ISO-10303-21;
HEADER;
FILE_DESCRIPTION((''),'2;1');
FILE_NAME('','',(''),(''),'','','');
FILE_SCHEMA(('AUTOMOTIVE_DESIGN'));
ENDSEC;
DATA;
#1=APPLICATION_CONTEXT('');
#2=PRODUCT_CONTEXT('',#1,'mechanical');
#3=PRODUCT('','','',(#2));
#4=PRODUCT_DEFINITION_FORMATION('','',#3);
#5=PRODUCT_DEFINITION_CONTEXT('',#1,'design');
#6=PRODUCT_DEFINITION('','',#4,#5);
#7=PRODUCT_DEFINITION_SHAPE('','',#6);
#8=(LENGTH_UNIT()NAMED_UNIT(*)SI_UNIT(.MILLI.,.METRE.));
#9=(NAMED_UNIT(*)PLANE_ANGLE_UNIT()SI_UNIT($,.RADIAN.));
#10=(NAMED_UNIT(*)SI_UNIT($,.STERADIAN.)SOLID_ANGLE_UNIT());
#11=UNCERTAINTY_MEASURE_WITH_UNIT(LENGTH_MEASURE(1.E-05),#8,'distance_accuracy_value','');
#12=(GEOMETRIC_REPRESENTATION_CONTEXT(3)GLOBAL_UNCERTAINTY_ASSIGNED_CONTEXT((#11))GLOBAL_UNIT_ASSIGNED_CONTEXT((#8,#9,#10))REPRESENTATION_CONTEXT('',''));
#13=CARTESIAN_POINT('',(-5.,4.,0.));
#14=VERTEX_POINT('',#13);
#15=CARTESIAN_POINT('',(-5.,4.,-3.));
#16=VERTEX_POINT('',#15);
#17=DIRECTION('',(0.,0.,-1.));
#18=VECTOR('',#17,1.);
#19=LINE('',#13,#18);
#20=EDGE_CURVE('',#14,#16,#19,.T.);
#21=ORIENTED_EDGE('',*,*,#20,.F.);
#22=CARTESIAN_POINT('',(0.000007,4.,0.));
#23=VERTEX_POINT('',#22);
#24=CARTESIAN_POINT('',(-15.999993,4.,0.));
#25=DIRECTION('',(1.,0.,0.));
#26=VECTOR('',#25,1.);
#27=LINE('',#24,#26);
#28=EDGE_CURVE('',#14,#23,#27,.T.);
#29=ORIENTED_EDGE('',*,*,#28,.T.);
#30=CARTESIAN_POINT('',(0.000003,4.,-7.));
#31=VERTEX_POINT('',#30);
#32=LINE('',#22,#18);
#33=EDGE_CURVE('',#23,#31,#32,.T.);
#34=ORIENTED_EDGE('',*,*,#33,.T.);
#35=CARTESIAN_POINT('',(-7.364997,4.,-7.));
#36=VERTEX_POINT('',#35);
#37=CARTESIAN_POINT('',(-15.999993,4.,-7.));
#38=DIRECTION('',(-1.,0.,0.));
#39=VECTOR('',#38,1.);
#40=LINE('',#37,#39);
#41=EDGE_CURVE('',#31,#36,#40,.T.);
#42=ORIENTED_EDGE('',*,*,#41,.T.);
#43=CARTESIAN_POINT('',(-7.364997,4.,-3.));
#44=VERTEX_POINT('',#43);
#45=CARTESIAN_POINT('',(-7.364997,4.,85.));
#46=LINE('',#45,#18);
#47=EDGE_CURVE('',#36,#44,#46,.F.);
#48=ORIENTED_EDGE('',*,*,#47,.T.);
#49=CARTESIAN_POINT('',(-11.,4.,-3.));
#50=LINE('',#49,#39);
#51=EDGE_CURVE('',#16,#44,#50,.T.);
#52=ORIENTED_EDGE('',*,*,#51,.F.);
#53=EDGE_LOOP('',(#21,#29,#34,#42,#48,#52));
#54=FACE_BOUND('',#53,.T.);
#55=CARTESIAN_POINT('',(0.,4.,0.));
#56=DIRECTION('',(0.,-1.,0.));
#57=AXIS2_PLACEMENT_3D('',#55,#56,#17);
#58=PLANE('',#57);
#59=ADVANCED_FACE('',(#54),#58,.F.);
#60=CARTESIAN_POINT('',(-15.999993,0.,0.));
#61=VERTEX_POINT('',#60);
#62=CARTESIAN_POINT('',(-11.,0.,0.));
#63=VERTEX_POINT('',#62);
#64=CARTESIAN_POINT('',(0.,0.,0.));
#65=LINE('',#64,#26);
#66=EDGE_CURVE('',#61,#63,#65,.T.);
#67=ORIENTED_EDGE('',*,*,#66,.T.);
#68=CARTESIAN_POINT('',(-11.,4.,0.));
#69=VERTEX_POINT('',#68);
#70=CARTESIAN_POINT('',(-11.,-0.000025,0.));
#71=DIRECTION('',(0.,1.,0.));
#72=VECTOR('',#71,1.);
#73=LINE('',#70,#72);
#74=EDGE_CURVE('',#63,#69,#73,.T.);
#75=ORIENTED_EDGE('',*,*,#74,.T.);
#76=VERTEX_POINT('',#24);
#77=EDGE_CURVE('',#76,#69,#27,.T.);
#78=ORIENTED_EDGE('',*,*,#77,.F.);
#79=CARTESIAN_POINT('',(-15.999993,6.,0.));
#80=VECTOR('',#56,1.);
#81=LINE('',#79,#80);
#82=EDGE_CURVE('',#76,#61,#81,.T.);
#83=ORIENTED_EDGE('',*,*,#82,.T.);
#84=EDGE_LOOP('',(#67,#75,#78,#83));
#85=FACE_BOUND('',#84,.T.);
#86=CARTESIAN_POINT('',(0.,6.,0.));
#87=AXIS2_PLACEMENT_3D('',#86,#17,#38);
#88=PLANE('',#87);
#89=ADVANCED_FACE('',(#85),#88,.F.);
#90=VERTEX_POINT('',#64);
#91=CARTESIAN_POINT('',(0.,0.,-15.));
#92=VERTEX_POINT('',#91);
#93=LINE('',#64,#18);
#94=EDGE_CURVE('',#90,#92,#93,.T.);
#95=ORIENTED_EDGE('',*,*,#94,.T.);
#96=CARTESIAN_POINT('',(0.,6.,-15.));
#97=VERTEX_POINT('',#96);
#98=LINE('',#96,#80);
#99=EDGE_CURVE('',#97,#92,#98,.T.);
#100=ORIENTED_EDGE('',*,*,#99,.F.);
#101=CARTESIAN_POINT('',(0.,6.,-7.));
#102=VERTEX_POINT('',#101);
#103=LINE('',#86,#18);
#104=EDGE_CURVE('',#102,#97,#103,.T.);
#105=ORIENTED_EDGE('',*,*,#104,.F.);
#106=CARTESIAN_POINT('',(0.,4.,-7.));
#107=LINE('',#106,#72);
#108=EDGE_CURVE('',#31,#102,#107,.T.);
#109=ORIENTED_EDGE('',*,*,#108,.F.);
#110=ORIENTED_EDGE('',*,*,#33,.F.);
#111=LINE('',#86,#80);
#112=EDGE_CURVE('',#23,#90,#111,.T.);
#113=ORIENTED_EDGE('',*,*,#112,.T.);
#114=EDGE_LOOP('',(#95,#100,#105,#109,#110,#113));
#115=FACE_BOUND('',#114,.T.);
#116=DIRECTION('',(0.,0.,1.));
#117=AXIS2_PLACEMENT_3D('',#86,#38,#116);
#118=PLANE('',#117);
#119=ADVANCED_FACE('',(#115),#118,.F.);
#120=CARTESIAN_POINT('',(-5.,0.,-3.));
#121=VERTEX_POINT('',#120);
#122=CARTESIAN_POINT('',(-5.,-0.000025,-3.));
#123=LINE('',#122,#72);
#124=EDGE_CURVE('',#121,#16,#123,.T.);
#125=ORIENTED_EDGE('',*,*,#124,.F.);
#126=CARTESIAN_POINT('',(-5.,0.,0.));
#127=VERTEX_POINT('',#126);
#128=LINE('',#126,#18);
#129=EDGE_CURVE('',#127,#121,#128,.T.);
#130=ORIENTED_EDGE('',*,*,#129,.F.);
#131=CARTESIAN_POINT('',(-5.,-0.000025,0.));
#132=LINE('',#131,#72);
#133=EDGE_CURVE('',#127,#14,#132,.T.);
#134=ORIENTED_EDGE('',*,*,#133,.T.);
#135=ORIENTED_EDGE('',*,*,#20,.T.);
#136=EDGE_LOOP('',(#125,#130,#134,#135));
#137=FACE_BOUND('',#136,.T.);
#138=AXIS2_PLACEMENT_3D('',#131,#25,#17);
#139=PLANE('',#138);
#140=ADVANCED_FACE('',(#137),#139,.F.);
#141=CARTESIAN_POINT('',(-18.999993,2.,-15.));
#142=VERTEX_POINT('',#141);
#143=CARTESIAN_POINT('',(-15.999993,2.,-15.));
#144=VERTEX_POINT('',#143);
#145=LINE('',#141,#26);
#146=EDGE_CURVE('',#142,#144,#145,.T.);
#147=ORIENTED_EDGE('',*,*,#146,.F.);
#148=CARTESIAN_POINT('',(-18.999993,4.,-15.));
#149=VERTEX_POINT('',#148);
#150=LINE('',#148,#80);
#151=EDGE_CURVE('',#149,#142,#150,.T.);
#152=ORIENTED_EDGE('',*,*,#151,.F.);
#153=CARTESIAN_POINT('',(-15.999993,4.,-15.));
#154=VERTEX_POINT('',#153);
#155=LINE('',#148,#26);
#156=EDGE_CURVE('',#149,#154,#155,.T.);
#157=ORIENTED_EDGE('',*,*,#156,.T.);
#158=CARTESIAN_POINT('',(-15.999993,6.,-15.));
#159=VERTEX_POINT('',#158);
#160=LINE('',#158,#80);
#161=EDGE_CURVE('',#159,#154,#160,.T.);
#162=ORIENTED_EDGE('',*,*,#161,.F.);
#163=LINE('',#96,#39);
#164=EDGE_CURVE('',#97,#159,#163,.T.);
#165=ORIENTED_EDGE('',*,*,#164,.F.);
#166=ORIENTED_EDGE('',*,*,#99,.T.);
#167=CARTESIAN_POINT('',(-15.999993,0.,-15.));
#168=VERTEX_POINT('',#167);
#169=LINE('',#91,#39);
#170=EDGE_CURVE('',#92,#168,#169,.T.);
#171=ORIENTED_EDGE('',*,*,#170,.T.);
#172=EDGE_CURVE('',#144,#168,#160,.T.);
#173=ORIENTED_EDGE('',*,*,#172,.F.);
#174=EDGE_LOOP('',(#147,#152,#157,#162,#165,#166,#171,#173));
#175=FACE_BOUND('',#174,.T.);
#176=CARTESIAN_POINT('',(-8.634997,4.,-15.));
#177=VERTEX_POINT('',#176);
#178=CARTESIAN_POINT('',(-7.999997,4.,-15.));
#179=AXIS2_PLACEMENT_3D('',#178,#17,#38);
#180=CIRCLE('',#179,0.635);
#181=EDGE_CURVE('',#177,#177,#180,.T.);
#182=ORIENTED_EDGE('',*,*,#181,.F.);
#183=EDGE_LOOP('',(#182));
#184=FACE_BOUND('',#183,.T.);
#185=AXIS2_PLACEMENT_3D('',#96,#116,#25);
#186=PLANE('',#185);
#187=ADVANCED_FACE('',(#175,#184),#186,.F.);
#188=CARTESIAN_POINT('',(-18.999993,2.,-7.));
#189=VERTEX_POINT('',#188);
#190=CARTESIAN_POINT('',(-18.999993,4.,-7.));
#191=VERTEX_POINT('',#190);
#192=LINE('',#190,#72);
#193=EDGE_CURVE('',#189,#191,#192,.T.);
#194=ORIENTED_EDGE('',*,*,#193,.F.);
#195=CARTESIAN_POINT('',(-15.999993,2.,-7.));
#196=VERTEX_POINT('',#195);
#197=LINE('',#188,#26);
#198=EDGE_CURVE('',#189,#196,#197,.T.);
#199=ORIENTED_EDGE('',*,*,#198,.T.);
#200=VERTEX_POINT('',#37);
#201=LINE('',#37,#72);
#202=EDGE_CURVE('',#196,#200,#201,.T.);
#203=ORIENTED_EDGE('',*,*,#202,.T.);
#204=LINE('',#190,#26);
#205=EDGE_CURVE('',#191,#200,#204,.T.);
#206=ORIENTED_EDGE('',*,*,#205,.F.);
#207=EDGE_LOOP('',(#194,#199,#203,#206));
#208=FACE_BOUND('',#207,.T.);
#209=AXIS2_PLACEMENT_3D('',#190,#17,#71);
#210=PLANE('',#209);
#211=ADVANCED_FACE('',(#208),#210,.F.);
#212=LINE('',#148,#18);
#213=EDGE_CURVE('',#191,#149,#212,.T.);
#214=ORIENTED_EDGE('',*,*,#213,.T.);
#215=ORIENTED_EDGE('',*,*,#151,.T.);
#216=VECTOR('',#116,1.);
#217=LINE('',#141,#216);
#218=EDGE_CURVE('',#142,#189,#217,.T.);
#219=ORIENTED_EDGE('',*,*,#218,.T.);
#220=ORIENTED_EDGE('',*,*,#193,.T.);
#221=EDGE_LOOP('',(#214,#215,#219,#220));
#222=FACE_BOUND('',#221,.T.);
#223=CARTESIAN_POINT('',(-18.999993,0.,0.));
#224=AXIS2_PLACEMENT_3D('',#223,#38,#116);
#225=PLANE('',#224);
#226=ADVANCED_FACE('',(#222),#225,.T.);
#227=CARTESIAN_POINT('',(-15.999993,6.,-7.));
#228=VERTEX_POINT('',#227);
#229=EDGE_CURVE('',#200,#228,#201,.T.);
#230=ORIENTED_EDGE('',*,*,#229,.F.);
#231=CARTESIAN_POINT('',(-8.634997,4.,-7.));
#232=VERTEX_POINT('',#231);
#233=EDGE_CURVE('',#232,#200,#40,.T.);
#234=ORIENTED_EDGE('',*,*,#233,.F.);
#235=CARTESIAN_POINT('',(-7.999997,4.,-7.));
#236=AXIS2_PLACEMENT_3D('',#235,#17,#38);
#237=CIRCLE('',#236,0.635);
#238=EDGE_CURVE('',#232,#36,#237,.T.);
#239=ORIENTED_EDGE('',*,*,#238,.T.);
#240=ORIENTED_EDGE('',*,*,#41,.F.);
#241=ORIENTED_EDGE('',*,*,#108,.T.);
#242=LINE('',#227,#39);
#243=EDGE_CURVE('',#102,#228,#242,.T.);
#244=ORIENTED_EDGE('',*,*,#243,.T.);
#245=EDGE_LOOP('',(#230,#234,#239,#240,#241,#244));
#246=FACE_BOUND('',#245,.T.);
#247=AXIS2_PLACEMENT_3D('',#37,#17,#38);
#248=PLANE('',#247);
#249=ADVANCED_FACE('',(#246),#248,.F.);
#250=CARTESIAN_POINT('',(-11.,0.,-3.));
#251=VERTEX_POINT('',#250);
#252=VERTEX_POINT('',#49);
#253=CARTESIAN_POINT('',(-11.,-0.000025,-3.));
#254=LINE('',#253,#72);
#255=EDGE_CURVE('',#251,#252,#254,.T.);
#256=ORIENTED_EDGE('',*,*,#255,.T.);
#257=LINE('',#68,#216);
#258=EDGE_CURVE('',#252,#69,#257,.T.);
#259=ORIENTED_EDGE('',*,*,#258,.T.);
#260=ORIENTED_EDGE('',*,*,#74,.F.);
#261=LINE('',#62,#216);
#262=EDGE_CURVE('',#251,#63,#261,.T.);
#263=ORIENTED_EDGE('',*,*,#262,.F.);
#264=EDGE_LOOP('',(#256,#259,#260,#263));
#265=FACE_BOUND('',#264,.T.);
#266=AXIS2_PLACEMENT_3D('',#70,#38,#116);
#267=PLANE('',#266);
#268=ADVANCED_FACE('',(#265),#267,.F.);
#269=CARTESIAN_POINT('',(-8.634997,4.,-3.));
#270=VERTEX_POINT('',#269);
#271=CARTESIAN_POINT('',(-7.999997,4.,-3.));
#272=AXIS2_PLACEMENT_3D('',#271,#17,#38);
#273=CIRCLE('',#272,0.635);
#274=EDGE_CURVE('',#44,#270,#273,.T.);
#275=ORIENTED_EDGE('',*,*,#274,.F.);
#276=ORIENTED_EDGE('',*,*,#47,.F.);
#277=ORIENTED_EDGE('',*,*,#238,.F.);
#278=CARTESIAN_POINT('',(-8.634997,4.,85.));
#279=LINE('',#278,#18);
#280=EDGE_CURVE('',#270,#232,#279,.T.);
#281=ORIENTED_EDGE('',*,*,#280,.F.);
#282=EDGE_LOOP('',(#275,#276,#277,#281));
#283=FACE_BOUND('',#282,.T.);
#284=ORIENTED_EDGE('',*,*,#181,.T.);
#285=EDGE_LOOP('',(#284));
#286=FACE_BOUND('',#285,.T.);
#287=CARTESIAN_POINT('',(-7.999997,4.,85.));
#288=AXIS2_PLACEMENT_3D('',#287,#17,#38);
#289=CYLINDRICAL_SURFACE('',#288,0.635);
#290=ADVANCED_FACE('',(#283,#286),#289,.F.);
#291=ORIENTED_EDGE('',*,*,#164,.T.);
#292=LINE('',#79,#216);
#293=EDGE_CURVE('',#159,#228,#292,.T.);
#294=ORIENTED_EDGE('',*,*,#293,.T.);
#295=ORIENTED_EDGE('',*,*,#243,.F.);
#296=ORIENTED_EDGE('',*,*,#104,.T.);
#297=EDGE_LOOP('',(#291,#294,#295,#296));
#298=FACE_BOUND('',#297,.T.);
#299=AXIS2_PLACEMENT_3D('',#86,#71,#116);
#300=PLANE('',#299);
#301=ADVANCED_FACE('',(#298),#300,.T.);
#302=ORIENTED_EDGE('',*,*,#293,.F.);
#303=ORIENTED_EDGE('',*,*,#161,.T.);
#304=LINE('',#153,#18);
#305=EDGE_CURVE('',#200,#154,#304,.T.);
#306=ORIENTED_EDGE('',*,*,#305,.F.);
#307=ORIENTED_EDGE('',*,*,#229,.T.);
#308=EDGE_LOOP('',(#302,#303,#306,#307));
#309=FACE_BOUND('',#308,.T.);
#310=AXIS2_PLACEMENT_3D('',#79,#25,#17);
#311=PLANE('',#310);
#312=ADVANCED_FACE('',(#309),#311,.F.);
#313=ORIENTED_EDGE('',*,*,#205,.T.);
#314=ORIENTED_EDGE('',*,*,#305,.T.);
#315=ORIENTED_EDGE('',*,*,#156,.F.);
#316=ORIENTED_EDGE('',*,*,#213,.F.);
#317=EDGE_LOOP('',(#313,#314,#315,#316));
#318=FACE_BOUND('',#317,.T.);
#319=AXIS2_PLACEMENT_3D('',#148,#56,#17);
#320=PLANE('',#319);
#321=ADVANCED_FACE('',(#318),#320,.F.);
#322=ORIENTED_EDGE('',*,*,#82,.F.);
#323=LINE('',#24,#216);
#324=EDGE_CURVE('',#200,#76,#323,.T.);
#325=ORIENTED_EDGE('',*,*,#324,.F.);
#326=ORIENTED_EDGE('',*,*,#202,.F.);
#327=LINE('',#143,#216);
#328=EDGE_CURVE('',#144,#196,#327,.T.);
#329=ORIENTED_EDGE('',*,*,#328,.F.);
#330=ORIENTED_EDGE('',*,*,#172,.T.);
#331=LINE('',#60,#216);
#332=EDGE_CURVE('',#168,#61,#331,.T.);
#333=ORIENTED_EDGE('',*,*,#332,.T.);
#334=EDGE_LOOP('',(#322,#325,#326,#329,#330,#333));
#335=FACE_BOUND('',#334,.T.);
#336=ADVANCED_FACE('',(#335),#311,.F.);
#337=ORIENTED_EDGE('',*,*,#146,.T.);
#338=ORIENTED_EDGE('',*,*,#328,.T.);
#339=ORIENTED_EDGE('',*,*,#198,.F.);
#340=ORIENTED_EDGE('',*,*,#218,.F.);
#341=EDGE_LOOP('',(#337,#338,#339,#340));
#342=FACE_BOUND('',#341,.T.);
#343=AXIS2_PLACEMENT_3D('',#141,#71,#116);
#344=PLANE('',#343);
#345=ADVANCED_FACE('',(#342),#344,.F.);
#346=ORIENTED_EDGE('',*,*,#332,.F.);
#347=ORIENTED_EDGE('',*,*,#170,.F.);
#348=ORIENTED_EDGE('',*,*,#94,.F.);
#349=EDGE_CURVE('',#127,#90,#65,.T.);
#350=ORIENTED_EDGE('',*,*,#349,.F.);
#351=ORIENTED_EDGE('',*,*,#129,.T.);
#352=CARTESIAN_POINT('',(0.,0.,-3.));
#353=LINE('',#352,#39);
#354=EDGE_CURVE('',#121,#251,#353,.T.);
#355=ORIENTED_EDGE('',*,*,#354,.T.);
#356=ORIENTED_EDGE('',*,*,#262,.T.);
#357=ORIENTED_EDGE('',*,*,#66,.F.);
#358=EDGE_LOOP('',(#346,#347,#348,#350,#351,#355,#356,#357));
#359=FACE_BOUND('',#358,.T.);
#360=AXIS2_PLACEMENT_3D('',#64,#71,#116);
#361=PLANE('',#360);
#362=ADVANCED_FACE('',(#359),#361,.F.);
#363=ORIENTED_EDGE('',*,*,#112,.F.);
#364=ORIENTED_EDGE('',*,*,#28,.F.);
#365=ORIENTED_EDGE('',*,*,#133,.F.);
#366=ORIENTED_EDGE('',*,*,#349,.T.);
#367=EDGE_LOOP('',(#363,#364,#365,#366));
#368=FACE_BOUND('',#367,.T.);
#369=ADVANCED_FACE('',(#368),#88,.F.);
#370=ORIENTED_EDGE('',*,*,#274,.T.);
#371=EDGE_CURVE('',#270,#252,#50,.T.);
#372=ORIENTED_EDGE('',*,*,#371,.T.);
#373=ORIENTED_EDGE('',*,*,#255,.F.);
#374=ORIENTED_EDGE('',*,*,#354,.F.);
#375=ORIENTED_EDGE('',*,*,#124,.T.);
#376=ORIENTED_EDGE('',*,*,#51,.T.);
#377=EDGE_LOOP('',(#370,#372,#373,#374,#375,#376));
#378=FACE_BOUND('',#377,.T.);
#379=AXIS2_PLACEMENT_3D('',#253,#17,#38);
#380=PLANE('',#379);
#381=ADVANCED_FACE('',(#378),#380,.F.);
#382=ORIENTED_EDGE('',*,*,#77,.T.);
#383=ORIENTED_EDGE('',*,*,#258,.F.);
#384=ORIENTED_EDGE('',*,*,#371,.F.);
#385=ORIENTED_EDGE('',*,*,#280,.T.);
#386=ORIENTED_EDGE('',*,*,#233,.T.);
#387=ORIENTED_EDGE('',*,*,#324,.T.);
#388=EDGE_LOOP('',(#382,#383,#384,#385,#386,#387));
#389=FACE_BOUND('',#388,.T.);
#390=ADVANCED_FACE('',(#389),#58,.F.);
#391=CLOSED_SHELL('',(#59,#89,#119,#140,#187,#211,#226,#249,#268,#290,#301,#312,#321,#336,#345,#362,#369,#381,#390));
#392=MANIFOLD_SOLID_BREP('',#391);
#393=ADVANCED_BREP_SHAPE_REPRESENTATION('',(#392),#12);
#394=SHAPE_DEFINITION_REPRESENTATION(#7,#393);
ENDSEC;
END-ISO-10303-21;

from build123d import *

# Parameters (mm, degrees)
SKETCH2_W           = 15.9999934
SKETCH2_H           = 15
BOSS_EXTRUDE2_DEPTH = 6
SKETCH6_W           = 16
SKETCH6_H           = 7
CUT_EXTRUDE3_DEPTH  = 2
SKETCH7_W           = 6
SKETCH7_H           = 3
CUT_EXTRUDE4_DEPTH  = 23.293492073
SKETCH12_R          = 0.635
CUT_EXTRUDE5_DEPTH  = 100
SKETCH13_W          = 8
SKETCH13_H          = 2
BOSS_EXTRUDE3_DEPTH = 3


with BuildPart() as part:
    # Sketch2 → Boss-Extrude2 (new body)
    with BuildSketch(Plane(origin=(0, 0, 0), x_dir=(1, 0, 0), z_dir=(0, 1, 0))):
        with Locations((-7.9999967, 7.5)):
            Rectangle(SKETCH2_W, SKETCH2_H)
    extrude(amount=BOSS_EXTRUDE2_DEPTH)

    # Sketch6 → Cut-Extrude3 (cut)
    with BuildSketch(Plane(origin=(0, 6, 0), x_dir=(1, 0, 0), z_dir=(0, 1, 0))):
        with Locations((-7.9999934, 3.5)):
            Rectangle(SKETCH6_W, SKETCH6_H)
    extrude(amount=-CUT_EXTRUDE3_DEPTH, mode=Mode.SUBTRACT)

    # Sketch7 → Cut-Extrude4 (cut, through all)
    with BuildSketch(Plane(origin=(0, 4, 0), x_dir=(1, 0, 0), z_dir=(0, 1, 0))):
        with Locations((-8, 1.5)):
            Rectangle(SKETCH7_W, SKETCH7_H)
    extrude(amount=-CUT_EXTRUDE4_DEPTH, mode=Mode.SUBTRACT)

    # Sketch12 → Cut-Extrude5 (cut)
    with BuildSketch(Plane(origin=(0, 0, -15), x_dir=(-1, 0, 0), z_dir=(0, 0, -1))):
        with Locations((7.9999967, 4)):
            Circle(SKETCH12_R)
    extrude(amount=-CUT_EXTRUDE5_DEPTH, mode=Mode.SUBTRACT)

    # Sketch13 → Boss-Extrude3 (add)
    with BuildSketch(Plane.ZY.offset(15.9999934)):
        with Locations((-11, 3)):
            Rectangle(SKETCH13_W, SKETCH13_H)
    extrude(amount=BOSS_EXTRUDE3_DEPTH)


solid = part.part
